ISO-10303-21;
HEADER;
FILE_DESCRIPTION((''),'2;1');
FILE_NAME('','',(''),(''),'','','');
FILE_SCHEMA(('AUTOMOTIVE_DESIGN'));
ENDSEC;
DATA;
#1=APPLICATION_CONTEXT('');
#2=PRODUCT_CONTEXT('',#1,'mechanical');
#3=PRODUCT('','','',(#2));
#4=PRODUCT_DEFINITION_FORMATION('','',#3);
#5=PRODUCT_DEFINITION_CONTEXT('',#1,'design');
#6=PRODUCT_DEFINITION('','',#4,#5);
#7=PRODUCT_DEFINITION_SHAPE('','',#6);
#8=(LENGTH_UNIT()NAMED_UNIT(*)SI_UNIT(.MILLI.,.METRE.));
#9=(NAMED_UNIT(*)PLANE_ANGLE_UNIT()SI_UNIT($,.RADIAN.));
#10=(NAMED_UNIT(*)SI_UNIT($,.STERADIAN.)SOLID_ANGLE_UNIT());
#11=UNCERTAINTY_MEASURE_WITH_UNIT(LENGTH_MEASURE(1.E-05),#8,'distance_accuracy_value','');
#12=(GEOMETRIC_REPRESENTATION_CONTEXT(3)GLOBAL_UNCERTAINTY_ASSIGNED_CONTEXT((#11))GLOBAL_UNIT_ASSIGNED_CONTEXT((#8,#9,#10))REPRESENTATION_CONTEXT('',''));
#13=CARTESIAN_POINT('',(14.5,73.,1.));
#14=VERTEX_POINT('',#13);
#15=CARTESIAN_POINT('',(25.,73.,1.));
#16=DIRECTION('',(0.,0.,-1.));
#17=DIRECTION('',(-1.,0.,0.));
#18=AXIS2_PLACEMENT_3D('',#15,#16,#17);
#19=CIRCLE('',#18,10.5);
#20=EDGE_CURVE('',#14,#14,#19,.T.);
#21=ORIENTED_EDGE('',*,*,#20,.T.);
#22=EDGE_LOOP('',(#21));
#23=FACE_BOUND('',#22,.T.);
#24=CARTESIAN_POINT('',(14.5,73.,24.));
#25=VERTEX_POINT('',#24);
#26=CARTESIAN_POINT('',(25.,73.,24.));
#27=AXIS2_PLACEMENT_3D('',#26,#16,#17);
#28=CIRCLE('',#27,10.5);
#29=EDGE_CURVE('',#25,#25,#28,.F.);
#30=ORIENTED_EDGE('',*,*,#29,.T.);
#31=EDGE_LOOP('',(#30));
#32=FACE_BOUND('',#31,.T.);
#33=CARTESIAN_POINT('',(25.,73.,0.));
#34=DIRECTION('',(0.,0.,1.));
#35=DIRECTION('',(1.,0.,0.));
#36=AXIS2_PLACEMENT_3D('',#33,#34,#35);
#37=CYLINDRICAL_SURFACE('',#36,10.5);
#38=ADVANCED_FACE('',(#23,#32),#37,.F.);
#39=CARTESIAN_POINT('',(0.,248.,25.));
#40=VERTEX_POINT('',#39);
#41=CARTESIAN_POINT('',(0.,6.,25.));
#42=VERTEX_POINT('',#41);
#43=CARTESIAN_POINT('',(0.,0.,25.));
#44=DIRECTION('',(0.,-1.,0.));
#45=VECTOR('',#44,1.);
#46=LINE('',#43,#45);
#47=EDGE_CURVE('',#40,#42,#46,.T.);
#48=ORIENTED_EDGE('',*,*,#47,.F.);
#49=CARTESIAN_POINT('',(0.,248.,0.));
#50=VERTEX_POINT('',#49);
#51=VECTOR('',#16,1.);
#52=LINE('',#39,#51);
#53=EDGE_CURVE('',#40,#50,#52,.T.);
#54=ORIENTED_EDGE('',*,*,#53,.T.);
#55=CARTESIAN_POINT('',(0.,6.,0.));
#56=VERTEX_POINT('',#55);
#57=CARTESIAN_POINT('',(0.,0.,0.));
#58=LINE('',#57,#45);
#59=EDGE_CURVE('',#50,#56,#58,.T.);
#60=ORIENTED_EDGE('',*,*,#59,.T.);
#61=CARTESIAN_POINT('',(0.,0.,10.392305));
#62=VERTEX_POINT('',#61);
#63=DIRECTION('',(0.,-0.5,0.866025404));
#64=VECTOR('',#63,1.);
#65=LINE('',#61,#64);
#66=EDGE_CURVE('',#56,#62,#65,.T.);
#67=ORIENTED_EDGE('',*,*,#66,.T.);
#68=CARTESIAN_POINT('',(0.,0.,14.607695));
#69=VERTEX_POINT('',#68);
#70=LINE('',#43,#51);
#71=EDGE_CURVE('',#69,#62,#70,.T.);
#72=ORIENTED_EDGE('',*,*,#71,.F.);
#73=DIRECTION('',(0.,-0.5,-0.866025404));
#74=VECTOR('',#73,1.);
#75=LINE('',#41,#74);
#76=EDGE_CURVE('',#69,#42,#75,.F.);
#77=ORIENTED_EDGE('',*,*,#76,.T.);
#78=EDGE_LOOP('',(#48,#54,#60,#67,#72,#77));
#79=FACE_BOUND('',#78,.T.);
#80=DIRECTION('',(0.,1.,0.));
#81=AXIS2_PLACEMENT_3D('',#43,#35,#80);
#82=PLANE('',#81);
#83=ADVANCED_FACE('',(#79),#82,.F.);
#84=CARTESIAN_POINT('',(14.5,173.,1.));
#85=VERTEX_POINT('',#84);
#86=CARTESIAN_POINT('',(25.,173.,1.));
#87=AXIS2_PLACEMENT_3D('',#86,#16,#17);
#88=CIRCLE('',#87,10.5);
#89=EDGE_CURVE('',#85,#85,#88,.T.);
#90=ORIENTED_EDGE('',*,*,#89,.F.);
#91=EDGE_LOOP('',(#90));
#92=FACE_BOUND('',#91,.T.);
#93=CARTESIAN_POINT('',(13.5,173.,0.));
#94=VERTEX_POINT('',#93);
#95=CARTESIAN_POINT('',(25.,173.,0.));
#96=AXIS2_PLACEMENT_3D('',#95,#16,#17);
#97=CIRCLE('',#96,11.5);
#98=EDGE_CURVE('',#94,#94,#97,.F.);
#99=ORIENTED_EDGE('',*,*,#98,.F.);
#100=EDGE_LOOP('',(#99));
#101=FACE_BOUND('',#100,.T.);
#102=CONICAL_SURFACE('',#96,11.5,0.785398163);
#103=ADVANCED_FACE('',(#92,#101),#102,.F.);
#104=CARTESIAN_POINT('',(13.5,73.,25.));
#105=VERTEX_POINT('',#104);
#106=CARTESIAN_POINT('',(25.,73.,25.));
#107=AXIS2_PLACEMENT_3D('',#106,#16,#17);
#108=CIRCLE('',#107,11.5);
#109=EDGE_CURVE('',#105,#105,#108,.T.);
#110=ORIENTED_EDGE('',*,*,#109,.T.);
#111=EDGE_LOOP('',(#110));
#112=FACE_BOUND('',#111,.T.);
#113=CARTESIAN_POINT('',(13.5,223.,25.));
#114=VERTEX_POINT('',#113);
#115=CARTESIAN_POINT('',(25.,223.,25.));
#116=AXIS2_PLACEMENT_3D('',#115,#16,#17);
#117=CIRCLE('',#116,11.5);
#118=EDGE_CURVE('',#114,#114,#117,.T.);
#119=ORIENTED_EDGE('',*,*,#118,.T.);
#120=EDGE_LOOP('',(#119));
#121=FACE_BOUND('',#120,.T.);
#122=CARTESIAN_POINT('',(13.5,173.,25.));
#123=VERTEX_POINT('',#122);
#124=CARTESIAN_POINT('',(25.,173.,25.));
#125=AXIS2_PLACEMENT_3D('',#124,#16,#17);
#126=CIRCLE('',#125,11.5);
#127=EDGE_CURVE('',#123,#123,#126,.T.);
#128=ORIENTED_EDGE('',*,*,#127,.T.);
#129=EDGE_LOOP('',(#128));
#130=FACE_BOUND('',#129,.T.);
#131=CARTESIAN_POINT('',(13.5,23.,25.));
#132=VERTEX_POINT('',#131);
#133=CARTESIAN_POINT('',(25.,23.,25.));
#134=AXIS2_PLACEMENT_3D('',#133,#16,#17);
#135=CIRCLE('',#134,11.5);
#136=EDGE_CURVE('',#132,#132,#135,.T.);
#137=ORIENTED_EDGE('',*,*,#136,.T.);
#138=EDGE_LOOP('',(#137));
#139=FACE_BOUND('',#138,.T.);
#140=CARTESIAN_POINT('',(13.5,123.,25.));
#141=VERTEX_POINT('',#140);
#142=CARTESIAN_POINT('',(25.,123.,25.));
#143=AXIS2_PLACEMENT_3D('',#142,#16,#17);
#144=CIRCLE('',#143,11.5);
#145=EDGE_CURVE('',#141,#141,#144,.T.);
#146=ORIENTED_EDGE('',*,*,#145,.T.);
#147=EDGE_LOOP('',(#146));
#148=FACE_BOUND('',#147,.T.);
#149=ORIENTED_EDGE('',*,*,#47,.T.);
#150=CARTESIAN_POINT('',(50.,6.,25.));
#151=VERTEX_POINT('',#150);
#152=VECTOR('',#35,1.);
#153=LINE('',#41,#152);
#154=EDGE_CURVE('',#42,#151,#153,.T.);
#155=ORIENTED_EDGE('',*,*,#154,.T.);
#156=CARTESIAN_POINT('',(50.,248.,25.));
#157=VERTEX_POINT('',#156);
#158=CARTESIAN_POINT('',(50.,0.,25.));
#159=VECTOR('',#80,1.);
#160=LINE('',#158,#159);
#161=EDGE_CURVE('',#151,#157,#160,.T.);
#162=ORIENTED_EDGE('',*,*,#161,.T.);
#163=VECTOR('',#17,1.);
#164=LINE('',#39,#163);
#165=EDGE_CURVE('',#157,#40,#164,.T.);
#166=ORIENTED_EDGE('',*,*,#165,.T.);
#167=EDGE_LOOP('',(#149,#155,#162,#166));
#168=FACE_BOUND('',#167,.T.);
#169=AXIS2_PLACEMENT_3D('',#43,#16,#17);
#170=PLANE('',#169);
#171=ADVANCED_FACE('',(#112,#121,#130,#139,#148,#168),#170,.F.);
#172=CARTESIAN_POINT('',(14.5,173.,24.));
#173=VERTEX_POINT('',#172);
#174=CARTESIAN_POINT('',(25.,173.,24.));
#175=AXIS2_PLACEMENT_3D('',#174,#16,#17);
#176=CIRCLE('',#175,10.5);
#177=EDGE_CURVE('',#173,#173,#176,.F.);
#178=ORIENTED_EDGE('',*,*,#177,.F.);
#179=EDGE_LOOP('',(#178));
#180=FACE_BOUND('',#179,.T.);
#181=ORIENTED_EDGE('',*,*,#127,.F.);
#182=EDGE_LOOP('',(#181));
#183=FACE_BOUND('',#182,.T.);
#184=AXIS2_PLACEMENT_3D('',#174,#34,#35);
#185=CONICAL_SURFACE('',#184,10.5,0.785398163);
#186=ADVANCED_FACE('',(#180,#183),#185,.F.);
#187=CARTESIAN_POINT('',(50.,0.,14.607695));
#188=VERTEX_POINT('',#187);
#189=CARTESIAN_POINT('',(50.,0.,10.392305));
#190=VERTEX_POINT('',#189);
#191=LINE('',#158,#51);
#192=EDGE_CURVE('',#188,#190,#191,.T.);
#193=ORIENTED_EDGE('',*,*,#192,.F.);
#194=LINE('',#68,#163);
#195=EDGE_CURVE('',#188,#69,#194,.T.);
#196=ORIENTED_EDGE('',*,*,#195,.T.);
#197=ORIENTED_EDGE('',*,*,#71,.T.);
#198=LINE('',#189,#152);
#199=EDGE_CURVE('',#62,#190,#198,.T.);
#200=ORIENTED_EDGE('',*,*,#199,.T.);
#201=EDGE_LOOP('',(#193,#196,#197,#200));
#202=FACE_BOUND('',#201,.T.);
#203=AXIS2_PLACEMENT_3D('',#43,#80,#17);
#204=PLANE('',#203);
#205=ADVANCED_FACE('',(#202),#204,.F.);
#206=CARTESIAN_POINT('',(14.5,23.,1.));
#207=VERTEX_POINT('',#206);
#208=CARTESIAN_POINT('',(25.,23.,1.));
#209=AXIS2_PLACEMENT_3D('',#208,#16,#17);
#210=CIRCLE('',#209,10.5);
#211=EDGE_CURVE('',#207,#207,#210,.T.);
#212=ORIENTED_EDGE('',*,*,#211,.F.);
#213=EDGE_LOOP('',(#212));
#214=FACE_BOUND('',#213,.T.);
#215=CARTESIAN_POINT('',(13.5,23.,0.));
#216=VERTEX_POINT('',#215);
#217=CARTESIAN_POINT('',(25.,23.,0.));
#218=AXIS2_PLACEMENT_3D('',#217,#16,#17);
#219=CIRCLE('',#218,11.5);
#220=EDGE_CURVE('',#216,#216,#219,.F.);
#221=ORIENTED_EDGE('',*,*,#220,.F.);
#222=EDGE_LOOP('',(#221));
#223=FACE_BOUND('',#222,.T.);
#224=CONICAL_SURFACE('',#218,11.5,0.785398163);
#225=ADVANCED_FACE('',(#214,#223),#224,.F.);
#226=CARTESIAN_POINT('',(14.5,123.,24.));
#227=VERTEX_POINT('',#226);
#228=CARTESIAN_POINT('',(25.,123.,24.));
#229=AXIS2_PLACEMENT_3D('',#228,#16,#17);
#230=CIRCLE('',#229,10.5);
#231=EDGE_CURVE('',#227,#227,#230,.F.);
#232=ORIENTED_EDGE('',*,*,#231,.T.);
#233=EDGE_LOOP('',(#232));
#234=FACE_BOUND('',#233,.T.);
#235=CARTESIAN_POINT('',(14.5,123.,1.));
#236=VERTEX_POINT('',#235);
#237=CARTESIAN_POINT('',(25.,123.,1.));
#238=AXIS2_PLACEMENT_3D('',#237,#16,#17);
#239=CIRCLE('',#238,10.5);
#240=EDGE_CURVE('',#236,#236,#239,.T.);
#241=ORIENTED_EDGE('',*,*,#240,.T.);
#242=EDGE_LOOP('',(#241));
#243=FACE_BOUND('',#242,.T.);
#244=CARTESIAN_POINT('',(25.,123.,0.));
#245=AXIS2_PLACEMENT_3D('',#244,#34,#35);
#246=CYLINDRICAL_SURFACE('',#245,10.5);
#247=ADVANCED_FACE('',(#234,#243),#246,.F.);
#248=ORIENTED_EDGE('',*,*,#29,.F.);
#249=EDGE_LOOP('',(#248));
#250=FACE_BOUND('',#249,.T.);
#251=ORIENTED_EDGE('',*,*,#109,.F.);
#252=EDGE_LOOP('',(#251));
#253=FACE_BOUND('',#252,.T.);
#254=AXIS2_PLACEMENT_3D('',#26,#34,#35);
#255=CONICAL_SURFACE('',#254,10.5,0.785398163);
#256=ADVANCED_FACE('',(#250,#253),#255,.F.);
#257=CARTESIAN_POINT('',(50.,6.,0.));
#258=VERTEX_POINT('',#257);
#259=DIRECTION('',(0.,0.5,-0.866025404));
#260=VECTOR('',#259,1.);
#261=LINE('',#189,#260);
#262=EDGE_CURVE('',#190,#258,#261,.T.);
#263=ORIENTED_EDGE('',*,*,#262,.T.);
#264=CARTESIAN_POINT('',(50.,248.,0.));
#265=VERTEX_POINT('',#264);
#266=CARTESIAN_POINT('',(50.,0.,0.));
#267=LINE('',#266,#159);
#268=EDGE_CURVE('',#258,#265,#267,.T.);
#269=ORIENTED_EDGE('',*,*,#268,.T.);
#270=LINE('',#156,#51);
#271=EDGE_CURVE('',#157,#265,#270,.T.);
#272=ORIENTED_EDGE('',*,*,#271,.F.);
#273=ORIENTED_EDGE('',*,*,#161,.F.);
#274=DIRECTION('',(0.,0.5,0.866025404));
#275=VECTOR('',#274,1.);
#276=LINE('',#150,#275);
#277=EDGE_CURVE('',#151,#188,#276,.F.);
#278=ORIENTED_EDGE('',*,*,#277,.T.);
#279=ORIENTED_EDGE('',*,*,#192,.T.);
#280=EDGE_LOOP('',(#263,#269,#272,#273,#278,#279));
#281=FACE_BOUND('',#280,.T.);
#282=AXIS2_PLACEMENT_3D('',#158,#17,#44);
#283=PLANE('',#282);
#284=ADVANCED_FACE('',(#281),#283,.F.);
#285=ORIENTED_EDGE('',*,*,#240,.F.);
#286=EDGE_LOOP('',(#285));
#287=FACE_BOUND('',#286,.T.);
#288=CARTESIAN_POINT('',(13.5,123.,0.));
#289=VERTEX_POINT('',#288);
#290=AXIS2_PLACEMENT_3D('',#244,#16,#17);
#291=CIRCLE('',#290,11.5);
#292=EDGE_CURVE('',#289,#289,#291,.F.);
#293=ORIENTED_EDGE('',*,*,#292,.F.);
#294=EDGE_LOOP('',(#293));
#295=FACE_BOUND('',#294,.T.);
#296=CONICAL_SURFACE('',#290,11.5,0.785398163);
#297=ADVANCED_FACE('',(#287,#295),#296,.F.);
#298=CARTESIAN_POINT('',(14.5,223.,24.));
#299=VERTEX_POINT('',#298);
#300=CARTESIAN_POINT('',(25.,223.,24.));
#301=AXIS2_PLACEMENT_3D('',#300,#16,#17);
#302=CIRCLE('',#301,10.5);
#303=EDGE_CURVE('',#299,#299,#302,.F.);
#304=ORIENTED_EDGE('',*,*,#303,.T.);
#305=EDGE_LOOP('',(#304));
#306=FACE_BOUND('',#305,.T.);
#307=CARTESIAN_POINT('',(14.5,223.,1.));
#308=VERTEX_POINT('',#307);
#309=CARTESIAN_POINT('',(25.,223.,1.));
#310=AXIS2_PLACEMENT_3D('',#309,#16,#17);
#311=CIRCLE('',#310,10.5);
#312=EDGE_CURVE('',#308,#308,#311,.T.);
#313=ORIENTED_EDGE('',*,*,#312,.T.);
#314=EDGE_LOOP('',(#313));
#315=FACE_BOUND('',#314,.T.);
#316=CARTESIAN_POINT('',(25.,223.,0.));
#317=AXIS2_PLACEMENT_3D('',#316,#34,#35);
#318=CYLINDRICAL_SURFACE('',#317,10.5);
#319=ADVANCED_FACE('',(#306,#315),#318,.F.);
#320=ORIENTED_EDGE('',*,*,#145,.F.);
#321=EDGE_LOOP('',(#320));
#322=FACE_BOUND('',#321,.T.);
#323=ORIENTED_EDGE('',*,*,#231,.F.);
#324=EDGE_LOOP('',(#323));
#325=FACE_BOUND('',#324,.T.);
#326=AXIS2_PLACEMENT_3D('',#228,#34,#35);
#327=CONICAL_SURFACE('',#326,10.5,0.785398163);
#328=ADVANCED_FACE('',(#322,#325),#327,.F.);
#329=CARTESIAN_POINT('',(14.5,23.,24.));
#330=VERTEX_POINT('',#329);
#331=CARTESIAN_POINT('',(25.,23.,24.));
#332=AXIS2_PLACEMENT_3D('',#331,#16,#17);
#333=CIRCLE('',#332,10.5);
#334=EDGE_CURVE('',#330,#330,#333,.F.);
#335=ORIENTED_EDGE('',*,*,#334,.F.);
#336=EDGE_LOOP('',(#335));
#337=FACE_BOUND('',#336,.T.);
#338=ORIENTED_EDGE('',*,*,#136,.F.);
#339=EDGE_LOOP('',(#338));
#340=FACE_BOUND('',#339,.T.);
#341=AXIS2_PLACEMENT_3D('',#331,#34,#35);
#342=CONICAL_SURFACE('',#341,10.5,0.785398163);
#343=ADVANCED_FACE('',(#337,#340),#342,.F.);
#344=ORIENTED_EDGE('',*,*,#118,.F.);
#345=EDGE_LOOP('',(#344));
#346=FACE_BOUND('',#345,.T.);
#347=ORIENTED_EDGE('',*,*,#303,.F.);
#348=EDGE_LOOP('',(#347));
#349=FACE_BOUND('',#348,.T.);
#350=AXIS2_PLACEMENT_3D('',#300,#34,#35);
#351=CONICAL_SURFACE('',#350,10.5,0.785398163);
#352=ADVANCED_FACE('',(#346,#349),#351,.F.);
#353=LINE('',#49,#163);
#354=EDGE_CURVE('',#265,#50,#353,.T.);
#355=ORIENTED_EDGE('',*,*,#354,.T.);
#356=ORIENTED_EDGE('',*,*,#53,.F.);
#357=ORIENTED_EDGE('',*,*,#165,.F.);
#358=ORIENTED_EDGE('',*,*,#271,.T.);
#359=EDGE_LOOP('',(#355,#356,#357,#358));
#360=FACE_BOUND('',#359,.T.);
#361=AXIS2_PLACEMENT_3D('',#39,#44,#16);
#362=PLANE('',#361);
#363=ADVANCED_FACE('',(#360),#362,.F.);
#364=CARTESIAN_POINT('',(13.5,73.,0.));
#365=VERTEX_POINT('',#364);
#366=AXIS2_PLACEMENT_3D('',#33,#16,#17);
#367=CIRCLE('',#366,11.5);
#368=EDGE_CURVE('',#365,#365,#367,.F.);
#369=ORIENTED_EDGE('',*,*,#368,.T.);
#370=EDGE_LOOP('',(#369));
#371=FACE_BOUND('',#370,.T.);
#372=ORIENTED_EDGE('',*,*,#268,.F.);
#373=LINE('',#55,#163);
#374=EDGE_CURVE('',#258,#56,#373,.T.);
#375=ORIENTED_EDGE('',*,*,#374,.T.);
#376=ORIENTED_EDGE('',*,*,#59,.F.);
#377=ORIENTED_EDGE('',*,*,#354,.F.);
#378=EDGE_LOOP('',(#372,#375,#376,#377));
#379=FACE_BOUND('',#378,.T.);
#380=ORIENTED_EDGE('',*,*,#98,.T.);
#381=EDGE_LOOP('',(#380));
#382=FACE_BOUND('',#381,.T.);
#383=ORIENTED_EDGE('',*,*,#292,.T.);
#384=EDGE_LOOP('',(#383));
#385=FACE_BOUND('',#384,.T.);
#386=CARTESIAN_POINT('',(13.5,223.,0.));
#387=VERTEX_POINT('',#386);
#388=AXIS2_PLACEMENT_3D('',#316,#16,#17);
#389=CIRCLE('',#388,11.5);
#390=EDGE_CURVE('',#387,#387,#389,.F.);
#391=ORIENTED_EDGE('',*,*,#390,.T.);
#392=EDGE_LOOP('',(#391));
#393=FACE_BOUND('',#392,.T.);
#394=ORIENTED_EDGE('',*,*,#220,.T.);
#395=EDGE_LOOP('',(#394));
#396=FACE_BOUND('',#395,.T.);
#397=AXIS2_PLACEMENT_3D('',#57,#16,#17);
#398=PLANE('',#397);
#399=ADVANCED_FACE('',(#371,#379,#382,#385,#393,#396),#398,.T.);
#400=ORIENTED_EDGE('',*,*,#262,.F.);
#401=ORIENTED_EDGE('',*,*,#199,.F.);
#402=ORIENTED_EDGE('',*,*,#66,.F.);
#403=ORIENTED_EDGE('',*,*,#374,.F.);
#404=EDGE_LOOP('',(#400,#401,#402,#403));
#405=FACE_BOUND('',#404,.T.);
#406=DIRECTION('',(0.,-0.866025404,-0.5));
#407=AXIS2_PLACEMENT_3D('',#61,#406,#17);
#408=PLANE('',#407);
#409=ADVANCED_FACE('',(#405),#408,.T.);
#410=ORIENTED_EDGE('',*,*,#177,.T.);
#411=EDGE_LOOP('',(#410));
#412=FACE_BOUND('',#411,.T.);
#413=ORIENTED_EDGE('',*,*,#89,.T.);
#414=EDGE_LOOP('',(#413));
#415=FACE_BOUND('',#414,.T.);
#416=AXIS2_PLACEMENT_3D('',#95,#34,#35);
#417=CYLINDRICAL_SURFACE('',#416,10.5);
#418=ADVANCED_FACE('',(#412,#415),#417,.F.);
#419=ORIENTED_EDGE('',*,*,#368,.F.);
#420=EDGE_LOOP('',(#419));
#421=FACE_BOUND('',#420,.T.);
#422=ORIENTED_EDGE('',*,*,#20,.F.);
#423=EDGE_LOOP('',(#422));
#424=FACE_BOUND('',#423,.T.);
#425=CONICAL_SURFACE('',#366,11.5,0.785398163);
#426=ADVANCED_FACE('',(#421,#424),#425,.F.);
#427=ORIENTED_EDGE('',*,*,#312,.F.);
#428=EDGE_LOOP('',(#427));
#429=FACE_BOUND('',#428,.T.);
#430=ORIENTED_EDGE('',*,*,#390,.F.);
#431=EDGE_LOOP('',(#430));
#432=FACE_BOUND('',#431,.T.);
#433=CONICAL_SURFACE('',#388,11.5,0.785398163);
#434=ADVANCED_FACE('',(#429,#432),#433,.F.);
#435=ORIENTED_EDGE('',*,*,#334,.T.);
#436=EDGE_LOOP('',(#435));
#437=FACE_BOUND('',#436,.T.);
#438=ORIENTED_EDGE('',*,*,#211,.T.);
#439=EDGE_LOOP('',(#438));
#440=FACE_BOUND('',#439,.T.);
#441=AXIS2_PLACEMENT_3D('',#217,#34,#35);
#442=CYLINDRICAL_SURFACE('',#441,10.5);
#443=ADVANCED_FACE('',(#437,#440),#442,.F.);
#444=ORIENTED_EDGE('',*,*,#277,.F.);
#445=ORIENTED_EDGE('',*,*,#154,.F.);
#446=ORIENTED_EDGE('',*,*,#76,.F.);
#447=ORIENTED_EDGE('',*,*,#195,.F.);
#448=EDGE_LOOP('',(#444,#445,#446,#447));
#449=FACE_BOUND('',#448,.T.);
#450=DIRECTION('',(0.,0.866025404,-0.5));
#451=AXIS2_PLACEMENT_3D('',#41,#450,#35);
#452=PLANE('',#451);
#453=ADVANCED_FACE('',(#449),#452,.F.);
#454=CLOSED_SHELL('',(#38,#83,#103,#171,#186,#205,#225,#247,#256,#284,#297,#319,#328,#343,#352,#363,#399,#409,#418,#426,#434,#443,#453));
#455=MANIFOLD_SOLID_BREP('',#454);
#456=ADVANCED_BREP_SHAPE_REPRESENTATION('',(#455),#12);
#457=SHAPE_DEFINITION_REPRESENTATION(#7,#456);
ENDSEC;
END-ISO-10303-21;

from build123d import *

# Parameters (mm, degrees)
SKETCH_1_W          = 50
SKETCH_1_H          = 248
EXTRUDE_1_DEPTH     = 25
SKETCH_2_R          = 10.5
CUT_EXTRUDE_1_DEPTH = 26
CHAMFER_1_SIZE      = 6
CHAMFER_1_SIZE2     = 10.392304845
CHAMFER_2_SIZE      = 6
CHAMFER_2_SIZE2     = 10.392304845
CHAMFER_3_SIZE      = 1


with BuildPart() as part:
    # Эскиз1 → Бобышка-Вытянуть1 (new body)
    with BuildSketch(Plane.XY):
        with Locations((25, 124)):
            Rectangle(SKETCH_1_W, SKETCH_1_H)
    extrude(amount=EXTRUDE_1_DEPTH)

    # Эскиз2 → Вырез-Вытянуть1 (cut, through all)
    with BuildSketch(Plane.XY.offset(25)):
        with Locations((25, 23)):
            Circle(SKETCH_2_R)
        with Locations((25, 73)):
            Circle(SKETCH_2_R)
        with Locations((25, 123)):
            Circle(SKETCH_2_R)
        with Locations((25, 173)):
            Circle(SKETCH_2_R)
        with Locations((25, 223)):
            Circle(SKETCH_2_R)
    extrude(amount=-CUT_EXTRUDE_1_DEPTH, mode=Mode.SUBTRACT)

    # Фаска1
    chamfer_1_edges = [part.edges().sort_by_distance(p)[0] for p in [
        (25, 0, 0),
    ]]
    chamfer_1_side = [part.faces().sort_by_distance(p)[0] for p in [
        (25, 2.529901184, 0),
    ]]
    chamfer(chamfer_1_edges, length=CHAMFER_1_SIZE, length2=CHAMFER_1_SIZE2, reference=chamfer_1_side[0])

    # Фаска2
    chamfer_2_edges = [part.edges().sort_by_distance(p)[0] for p in [
        (25, 0, 25),
    ]]
    chamfer_2_side = [part.faces().sort_by_distance(p)[0] for p in [
        (25, 2.529901184, 25),
    ]]
    chamfer(chamfer_2_edges, length=CHAMFER_2_SIZE, length2=CHAMFER_2_SIZE2, reference=chamfer_2_side[0])

    # Фаска3
    chamfer_3_edges = [part.edges().sort_by_distance(p)[0] for p in [
        (14.5, 23, 0),
        (14.5, 23, 25),
        (14.5, 73, 0),
        (14.5, 73, 25),
        (14.5, 123, 0),
        (14.5, 123, 25),
        (14.5, 173, 0),
        (14.5, 173, 25),
        (14.5, 223, 0),
        (14.5, 223, 25),
    ]]
    chamfer(chamfer_3_edges, length=CHAMFER_3_SIZE)


solid = part.part
